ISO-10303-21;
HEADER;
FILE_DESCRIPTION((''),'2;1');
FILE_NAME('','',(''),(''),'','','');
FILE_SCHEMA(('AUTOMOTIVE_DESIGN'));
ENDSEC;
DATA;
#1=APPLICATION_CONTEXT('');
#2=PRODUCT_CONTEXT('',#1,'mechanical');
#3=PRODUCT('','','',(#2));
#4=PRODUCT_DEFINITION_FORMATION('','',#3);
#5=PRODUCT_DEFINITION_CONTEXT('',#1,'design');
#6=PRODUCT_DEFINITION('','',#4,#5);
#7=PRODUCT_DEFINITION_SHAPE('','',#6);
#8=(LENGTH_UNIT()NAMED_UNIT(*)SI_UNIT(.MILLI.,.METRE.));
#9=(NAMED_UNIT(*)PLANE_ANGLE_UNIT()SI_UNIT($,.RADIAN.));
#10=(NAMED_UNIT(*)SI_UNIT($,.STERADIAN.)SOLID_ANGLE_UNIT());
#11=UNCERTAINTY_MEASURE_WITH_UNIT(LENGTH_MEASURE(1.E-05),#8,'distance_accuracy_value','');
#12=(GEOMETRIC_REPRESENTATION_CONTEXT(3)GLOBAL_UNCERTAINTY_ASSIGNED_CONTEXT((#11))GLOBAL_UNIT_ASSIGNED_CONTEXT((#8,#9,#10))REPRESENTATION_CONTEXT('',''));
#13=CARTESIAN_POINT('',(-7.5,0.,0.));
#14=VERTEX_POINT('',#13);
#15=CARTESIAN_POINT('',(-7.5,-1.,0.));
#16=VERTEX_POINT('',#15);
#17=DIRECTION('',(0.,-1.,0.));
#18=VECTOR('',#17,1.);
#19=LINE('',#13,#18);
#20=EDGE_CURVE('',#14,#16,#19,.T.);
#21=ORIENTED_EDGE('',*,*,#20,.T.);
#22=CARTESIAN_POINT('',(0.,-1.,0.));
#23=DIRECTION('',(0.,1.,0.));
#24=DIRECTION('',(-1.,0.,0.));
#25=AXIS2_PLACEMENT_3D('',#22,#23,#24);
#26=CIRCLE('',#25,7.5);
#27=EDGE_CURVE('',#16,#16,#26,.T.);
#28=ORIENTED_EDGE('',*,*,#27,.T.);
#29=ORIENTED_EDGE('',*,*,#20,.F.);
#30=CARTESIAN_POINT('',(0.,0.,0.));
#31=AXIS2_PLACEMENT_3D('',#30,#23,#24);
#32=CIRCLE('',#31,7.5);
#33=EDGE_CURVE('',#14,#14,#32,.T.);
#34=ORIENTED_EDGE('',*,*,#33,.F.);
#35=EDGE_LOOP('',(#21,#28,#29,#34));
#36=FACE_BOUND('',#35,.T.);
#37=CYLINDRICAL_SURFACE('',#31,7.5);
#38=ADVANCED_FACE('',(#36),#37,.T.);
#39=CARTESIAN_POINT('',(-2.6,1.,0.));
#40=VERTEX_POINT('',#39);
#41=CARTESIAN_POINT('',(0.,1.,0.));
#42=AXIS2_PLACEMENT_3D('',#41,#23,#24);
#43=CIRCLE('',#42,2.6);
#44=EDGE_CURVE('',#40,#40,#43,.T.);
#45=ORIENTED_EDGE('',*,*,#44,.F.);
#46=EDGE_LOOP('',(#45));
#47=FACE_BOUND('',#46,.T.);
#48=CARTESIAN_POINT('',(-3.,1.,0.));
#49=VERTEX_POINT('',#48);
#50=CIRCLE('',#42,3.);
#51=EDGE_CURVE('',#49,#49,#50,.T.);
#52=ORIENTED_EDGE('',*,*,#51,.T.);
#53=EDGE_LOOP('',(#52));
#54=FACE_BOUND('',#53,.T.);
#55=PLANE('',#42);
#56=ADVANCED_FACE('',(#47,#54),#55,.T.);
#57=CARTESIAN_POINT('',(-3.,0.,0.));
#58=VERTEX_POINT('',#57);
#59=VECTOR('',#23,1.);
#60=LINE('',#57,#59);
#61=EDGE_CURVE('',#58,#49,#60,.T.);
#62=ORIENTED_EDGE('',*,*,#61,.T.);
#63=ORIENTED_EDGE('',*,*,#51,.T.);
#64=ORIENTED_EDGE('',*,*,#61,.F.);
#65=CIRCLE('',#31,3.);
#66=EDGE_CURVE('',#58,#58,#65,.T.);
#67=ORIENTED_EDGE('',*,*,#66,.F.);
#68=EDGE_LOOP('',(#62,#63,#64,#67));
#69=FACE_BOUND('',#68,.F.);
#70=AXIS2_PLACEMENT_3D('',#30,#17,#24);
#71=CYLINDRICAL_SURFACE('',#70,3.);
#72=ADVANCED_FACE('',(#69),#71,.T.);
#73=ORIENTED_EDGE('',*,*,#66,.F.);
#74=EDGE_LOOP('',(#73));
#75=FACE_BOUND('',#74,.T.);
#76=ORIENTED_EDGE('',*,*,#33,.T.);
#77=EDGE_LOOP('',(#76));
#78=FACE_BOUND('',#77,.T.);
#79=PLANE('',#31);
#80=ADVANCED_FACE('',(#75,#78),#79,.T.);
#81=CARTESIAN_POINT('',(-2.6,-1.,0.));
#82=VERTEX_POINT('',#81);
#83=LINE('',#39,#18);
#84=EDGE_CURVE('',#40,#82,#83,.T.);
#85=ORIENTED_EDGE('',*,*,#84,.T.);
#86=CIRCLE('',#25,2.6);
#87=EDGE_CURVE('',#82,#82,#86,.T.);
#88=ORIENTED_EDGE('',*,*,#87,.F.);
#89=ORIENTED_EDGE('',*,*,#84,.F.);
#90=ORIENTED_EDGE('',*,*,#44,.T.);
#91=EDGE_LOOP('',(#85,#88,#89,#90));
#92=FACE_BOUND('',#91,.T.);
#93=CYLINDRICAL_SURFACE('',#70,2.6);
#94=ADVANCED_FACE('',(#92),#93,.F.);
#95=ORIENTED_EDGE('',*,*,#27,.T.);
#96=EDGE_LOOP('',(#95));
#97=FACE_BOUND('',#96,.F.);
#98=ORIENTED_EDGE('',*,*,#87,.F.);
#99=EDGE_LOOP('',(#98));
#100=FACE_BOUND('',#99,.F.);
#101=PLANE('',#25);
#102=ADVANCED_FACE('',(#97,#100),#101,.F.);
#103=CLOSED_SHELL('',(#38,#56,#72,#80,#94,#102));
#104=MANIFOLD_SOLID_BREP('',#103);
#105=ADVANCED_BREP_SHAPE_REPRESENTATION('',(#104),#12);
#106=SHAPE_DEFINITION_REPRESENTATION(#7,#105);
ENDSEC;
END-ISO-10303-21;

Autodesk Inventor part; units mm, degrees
ref_plane "YZ Plane" through (0, 0, 0) normal (1, 0, 0) x (0, 1, 0)
ref_plane "XZ Plane" through (0, 0, 0) normal (0, 1, 0) x (-1, 0, 0)
ref_plane "XY Plane" through (0, 0, 0) normal (0, 0, 1) x (1, 0, 0)
sketch "Sketch1" plane through (0, 0, 0) normal (0, 1, 0) x (-1, 0, 0)
  circle A0 centre (0, 0) radius 7.5
  circle A1 centre (0, 0) radius 2.6
  circle A2 centre (0, 0) radius 3
  dimension "d0" = 15
  dimension "d1" = 5.2
  dimension "d7" = 6
extrude "Extrusion1" add sketch "Sketch1" against normal blind 1 contours A0 | A2
extrude "Extrusion2" add sketch "Sketch1" along normal blind 1 contours A2
properties part number "Belt Retainer Washer"
